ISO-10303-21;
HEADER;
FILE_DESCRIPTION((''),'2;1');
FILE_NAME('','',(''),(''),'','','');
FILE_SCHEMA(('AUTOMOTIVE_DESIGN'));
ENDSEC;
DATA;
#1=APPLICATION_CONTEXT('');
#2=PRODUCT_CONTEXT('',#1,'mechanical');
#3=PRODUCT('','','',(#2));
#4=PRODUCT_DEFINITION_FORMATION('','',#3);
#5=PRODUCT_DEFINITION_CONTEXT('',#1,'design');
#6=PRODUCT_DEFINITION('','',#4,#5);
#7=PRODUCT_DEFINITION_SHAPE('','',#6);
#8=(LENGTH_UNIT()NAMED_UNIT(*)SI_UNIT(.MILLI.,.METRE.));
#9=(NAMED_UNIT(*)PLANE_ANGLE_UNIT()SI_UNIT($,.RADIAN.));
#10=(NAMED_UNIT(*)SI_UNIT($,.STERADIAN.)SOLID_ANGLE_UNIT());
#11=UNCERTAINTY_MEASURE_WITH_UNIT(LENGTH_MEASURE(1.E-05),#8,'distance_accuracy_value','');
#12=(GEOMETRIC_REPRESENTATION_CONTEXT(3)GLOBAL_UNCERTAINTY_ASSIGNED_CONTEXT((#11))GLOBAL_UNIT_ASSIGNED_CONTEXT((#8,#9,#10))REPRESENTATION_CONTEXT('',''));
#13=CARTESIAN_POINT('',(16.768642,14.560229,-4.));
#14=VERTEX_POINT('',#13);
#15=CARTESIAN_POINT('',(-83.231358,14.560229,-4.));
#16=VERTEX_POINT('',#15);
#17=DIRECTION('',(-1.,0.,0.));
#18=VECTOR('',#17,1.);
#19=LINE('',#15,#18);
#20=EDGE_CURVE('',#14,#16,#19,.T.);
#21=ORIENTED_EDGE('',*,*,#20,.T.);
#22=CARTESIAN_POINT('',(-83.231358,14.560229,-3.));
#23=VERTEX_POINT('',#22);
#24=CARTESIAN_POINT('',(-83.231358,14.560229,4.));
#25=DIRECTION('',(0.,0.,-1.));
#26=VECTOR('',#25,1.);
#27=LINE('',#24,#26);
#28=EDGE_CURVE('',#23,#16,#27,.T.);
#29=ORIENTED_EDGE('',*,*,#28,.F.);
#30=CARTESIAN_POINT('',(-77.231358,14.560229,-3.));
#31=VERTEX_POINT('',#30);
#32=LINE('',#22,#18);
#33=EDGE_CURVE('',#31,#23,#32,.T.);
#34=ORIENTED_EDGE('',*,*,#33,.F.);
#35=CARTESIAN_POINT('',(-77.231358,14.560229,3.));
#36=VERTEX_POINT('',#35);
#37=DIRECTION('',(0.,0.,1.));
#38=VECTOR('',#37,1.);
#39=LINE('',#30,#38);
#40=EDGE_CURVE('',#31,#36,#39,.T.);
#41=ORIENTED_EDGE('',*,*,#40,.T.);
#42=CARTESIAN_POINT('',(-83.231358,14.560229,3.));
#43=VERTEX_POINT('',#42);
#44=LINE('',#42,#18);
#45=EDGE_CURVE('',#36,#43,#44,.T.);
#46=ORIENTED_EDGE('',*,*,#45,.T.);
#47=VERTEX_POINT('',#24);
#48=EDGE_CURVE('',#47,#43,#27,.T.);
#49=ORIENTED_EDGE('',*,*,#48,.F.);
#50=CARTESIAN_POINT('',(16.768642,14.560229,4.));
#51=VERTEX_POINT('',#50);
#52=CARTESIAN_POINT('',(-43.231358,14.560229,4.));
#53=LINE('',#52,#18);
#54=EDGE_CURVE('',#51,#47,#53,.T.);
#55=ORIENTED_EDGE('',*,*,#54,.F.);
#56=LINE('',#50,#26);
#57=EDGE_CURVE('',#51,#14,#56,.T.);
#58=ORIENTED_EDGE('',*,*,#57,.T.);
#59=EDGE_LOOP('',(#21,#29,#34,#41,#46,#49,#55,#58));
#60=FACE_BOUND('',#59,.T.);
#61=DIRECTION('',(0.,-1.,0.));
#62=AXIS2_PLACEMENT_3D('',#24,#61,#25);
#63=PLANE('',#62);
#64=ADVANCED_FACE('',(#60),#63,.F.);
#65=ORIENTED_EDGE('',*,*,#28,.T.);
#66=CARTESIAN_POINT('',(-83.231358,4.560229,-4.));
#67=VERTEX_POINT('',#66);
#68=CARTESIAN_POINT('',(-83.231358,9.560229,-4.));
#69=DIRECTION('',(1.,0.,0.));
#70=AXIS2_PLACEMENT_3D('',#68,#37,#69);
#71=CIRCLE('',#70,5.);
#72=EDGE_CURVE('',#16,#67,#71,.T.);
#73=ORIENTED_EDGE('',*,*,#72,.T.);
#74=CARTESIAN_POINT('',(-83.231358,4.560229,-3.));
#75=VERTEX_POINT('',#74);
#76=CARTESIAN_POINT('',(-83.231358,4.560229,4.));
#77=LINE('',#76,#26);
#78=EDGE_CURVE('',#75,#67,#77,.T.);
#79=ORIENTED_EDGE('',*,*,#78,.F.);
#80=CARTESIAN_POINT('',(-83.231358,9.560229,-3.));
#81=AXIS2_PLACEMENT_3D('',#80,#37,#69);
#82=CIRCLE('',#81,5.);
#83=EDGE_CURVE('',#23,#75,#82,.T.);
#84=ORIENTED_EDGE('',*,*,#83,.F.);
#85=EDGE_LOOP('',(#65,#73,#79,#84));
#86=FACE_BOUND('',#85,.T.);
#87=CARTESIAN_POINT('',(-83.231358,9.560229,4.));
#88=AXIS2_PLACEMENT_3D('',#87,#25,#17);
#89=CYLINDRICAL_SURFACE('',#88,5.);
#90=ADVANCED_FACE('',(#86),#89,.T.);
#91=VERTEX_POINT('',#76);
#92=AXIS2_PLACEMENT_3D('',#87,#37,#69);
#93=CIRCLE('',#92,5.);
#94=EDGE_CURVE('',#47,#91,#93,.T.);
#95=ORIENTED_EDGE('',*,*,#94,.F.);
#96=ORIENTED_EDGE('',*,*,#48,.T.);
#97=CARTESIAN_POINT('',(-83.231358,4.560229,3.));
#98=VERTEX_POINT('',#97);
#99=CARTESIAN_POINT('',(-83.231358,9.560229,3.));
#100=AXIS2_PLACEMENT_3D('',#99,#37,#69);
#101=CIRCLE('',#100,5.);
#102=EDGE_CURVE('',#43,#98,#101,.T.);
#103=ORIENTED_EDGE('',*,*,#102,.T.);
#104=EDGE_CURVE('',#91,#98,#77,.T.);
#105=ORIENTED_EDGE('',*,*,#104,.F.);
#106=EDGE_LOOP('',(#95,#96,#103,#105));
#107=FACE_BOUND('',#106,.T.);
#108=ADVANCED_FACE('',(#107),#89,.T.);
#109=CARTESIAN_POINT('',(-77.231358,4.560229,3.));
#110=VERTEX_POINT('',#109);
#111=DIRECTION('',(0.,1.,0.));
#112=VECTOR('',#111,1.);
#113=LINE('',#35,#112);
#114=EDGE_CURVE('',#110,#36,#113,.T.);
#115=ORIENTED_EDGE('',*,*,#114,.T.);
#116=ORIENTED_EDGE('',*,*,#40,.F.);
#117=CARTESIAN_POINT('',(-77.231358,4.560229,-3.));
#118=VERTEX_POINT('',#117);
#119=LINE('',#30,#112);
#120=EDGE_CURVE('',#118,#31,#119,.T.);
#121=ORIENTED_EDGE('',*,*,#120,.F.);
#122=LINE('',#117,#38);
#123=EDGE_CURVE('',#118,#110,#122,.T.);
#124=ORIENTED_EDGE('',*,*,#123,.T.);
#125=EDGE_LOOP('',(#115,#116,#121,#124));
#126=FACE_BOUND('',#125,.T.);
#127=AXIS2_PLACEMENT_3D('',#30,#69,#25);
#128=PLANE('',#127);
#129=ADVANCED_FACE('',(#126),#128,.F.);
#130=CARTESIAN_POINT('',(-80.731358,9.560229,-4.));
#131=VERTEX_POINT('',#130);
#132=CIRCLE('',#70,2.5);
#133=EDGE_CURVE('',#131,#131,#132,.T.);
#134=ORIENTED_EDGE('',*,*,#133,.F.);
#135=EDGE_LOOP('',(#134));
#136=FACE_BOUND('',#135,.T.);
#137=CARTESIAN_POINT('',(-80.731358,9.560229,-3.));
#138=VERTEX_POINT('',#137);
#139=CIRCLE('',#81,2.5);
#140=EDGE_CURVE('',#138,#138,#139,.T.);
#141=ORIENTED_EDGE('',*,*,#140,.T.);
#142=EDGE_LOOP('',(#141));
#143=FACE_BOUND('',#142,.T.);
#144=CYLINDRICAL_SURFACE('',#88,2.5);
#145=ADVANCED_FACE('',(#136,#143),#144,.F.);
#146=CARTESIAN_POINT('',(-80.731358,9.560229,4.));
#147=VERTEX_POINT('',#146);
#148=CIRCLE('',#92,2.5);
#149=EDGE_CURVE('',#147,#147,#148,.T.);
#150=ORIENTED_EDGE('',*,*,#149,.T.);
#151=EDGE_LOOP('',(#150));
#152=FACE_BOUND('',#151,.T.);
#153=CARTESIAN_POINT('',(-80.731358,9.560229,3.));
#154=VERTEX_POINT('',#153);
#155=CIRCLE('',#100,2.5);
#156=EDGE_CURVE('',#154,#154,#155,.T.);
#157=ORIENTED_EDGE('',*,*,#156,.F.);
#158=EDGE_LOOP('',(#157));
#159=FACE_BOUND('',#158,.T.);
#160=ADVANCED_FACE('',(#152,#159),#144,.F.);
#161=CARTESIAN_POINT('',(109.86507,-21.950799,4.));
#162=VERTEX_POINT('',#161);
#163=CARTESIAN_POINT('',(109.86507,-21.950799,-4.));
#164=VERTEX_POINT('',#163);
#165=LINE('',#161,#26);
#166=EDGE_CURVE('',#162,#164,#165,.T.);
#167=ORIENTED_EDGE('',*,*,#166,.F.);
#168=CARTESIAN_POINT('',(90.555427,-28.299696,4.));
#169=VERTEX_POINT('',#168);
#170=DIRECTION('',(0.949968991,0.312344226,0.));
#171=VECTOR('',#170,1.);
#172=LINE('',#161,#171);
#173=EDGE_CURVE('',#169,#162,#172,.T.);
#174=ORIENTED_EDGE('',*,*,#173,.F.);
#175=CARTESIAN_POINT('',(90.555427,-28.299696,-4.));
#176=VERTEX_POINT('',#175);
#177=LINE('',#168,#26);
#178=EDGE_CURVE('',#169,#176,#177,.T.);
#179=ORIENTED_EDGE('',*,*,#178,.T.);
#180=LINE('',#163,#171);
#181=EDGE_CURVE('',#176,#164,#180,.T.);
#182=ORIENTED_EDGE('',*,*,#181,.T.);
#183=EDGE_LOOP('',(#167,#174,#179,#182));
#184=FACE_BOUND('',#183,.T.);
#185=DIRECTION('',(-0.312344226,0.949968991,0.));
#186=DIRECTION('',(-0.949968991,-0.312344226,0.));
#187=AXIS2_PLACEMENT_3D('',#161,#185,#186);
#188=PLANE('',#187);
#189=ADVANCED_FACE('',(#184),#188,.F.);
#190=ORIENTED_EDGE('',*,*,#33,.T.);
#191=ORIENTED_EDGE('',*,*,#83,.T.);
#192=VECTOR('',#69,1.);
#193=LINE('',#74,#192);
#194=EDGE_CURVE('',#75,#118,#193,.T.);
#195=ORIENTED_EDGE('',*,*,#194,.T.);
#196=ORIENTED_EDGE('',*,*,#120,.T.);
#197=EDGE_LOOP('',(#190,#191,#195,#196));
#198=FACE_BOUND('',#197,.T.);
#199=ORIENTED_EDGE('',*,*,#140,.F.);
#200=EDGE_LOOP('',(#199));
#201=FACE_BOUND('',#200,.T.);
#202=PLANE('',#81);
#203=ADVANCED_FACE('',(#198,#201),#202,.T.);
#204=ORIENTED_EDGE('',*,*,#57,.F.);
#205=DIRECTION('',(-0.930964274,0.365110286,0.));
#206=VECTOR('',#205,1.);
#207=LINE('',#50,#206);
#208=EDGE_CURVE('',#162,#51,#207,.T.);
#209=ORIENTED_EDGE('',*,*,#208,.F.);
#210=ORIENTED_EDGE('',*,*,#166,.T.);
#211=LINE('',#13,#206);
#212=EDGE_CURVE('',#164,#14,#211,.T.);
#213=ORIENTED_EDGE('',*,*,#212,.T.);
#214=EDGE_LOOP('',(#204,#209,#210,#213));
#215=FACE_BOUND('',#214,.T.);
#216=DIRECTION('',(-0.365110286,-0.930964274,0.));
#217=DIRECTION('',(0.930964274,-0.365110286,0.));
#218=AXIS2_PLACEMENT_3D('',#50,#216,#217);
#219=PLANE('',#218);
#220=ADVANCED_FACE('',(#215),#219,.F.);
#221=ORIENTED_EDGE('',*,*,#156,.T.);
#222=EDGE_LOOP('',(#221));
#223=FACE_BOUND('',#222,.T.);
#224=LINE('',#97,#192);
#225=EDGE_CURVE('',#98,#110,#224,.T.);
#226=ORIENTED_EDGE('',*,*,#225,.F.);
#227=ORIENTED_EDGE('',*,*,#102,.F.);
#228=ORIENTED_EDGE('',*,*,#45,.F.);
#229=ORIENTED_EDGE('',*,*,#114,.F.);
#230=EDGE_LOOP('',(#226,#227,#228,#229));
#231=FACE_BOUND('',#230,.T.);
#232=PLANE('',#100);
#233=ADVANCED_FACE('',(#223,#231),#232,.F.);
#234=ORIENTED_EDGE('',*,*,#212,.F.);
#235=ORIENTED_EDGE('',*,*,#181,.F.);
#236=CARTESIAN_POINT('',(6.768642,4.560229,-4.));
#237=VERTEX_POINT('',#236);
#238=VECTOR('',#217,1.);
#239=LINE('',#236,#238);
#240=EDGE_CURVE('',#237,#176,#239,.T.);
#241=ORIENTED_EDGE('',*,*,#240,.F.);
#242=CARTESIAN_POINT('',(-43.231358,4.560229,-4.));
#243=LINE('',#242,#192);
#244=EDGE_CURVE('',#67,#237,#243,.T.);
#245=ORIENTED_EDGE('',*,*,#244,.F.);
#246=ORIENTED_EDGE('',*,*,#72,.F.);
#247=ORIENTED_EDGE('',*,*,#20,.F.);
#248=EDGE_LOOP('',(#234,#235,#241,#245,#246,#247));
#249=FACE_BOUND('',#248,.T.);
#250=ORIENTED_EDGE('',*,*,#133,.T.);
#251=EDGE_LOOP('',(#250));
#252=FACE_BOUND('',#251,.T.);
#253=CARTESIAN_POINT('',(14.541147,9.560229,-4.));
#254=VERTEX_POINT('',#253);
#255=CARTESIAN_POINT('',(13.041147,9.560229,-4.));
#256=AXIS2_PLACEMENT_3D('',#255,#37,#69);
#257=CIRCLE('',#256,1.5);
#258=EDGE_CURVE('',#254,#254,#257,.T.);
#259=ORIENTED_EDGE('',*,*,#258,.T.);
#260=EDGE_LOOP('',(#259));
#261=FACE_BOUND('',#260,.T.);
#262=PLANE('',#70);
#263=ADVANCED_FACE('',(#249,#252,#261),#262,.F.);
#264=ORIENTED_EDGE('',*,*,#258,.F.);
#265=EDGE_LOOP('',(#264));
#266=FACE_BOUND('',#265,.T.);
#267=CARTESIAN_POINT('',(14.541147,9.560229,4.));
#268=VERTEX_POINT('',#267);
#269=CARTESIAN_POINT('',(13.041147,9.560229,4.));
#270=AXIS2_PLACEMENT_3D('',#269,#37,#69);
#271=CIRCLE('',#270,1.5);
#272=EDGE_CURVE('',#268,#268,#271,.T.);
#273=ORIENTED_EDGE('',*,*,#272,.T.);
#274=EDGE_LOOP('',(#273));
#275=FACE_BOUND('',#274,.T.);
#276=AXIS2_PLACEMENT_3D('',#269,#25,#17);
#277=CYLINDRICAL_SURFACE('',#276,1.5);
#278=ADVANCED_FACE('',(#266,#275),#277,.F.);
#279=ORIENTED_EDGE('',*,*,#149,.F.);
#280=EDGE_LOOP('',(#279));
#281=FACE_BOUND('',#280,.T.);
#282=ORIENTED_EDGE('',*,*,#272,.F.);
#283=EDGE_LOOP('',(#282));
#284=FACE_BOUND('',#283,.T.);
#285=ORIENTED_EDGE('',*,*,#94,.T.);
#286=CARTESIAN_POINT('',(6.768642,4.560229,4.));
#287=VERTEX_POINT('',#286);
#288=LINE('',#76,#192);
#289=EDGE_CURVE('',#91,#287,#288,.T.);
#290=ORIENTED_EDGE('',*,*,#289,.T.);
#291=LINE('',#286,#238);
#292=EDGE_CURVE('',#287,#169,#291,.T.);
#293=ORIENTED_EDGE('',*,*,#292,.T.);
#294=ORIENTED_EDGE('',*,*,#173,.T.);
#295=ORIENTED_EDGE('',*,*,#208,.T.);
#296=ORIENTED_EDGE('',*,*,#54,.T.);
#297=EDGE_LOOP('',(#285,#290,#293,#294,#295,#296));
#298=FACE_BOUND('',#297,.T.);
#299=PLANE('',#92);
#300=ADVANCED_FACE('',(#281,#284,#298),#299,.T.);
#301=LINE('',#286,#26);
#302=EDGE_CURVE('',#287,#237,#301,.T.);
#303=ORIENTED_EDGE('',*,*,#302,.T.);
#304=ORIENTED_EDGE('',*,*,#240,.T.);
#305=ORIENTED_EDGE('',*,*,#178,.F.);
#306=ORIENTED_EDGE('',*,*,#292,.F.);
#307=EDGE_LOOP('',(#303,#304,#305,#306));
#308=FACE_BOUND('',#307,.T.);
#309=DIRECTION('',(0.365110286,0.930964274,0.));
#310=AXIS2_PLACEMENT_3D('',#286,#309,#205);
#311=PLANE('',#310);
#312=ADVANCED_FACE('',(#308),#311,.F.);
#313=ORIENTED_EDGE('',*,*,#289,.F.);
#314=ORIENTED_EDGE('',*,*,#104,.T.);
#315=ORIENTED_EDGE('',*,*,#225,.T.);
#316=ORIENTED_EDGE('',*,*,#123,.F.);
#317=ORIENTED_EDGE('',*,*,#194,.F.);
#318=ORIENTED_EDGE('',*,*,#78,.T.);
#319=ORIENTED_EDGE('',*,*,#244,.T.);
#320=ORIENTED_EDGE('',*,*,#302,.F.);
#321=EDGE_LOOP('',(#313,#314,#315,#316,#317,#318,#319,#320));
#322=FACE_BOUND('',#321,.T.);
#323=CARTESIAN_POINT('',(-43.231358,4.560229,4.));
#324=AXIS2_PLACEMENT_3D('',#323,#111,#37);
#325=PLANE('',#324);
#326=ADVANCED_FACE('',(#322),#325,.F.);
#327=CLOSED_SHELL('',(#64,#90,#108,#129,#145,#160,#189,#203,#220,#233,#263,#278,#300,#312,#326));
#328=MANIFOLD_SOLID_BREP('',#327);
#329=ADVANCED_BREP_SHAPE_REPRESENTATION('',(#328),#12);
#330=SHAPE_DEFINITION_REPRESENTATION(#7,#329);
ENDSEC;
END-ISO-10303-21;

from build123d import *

# Parameters (mm, degrees)
SKETCH_1_R          = 2.5
SKETCH_1_R_2        = 1.5
EXTRUDE_2_DEPTH     = 4
CUT_EXTRUDE_1_DEPTH = 3


with BuildPart() as part:
    # 草图1 → 凸台-拉伸2 (new, symmetric)
    with BuildSketch(Plane.XY):
        with BuildLine():
            Line((-83.231357553, 14.560229446), (-43.231357553, 14.560229446))
            Line((-43.231357553, 14.560229446), (16.768642447, 14.560229446))
            Line((16.768642447, 14.560229446), (109.865069812, -21.95079919))
            Line((109.865069812, -21.95079919), (90.555427075, -28.299696326))
            Line((90.555427075, -28.299696326), (6.768642447, 4.560229446))
            Line((6.768642447, 4.560229446), (-43.231357553, 4.560229446))
            Line((-43.231357553, 4.560229446), (-83.231357553, 4.560229446))
            ThreePointArc((-83.231357553, 4.560229446), (-88.231357553, 9.560229446), (-83.231357553, 14.560229446))
        make_face()
        with Locations((-83.231357553, 9.560229446)):
            Circle(SKETCH_1_R, mode=Mode.SUBTRACT)
        with Locations((13.041147127, 9.560229446)):
            Circle(SKETCH_1_R_2, mode=Mode.SUBTRACT)
    extrude(amount=EXTRUDE_2_DEPTH, both=True)

    # 草图2 → 切除-拉伸1 (cut, symmetric)
    with BuildSketch(Plane.XY):
        with BuildLine():
            Line((-83.231357553, 4.560229446), (-77.231357553, 4.560229446))
            Line((-77.231357553, 4.560229446), (-77.231357553, 14.560229446))
            Line((-77.231357553, 14.560229446), (-83.231357553, 14.560229446))
            ThreePointArc((-83.231357553, 14.560229446), (-88.231357553, 9.560229446), (-83.231357553, 4.560229446))
        make_face()
    extrude(amount=CUT_EXTRUDE_1_DEPTH, both=True, mode=Mode.SUBTRACT)


solid = part.part
